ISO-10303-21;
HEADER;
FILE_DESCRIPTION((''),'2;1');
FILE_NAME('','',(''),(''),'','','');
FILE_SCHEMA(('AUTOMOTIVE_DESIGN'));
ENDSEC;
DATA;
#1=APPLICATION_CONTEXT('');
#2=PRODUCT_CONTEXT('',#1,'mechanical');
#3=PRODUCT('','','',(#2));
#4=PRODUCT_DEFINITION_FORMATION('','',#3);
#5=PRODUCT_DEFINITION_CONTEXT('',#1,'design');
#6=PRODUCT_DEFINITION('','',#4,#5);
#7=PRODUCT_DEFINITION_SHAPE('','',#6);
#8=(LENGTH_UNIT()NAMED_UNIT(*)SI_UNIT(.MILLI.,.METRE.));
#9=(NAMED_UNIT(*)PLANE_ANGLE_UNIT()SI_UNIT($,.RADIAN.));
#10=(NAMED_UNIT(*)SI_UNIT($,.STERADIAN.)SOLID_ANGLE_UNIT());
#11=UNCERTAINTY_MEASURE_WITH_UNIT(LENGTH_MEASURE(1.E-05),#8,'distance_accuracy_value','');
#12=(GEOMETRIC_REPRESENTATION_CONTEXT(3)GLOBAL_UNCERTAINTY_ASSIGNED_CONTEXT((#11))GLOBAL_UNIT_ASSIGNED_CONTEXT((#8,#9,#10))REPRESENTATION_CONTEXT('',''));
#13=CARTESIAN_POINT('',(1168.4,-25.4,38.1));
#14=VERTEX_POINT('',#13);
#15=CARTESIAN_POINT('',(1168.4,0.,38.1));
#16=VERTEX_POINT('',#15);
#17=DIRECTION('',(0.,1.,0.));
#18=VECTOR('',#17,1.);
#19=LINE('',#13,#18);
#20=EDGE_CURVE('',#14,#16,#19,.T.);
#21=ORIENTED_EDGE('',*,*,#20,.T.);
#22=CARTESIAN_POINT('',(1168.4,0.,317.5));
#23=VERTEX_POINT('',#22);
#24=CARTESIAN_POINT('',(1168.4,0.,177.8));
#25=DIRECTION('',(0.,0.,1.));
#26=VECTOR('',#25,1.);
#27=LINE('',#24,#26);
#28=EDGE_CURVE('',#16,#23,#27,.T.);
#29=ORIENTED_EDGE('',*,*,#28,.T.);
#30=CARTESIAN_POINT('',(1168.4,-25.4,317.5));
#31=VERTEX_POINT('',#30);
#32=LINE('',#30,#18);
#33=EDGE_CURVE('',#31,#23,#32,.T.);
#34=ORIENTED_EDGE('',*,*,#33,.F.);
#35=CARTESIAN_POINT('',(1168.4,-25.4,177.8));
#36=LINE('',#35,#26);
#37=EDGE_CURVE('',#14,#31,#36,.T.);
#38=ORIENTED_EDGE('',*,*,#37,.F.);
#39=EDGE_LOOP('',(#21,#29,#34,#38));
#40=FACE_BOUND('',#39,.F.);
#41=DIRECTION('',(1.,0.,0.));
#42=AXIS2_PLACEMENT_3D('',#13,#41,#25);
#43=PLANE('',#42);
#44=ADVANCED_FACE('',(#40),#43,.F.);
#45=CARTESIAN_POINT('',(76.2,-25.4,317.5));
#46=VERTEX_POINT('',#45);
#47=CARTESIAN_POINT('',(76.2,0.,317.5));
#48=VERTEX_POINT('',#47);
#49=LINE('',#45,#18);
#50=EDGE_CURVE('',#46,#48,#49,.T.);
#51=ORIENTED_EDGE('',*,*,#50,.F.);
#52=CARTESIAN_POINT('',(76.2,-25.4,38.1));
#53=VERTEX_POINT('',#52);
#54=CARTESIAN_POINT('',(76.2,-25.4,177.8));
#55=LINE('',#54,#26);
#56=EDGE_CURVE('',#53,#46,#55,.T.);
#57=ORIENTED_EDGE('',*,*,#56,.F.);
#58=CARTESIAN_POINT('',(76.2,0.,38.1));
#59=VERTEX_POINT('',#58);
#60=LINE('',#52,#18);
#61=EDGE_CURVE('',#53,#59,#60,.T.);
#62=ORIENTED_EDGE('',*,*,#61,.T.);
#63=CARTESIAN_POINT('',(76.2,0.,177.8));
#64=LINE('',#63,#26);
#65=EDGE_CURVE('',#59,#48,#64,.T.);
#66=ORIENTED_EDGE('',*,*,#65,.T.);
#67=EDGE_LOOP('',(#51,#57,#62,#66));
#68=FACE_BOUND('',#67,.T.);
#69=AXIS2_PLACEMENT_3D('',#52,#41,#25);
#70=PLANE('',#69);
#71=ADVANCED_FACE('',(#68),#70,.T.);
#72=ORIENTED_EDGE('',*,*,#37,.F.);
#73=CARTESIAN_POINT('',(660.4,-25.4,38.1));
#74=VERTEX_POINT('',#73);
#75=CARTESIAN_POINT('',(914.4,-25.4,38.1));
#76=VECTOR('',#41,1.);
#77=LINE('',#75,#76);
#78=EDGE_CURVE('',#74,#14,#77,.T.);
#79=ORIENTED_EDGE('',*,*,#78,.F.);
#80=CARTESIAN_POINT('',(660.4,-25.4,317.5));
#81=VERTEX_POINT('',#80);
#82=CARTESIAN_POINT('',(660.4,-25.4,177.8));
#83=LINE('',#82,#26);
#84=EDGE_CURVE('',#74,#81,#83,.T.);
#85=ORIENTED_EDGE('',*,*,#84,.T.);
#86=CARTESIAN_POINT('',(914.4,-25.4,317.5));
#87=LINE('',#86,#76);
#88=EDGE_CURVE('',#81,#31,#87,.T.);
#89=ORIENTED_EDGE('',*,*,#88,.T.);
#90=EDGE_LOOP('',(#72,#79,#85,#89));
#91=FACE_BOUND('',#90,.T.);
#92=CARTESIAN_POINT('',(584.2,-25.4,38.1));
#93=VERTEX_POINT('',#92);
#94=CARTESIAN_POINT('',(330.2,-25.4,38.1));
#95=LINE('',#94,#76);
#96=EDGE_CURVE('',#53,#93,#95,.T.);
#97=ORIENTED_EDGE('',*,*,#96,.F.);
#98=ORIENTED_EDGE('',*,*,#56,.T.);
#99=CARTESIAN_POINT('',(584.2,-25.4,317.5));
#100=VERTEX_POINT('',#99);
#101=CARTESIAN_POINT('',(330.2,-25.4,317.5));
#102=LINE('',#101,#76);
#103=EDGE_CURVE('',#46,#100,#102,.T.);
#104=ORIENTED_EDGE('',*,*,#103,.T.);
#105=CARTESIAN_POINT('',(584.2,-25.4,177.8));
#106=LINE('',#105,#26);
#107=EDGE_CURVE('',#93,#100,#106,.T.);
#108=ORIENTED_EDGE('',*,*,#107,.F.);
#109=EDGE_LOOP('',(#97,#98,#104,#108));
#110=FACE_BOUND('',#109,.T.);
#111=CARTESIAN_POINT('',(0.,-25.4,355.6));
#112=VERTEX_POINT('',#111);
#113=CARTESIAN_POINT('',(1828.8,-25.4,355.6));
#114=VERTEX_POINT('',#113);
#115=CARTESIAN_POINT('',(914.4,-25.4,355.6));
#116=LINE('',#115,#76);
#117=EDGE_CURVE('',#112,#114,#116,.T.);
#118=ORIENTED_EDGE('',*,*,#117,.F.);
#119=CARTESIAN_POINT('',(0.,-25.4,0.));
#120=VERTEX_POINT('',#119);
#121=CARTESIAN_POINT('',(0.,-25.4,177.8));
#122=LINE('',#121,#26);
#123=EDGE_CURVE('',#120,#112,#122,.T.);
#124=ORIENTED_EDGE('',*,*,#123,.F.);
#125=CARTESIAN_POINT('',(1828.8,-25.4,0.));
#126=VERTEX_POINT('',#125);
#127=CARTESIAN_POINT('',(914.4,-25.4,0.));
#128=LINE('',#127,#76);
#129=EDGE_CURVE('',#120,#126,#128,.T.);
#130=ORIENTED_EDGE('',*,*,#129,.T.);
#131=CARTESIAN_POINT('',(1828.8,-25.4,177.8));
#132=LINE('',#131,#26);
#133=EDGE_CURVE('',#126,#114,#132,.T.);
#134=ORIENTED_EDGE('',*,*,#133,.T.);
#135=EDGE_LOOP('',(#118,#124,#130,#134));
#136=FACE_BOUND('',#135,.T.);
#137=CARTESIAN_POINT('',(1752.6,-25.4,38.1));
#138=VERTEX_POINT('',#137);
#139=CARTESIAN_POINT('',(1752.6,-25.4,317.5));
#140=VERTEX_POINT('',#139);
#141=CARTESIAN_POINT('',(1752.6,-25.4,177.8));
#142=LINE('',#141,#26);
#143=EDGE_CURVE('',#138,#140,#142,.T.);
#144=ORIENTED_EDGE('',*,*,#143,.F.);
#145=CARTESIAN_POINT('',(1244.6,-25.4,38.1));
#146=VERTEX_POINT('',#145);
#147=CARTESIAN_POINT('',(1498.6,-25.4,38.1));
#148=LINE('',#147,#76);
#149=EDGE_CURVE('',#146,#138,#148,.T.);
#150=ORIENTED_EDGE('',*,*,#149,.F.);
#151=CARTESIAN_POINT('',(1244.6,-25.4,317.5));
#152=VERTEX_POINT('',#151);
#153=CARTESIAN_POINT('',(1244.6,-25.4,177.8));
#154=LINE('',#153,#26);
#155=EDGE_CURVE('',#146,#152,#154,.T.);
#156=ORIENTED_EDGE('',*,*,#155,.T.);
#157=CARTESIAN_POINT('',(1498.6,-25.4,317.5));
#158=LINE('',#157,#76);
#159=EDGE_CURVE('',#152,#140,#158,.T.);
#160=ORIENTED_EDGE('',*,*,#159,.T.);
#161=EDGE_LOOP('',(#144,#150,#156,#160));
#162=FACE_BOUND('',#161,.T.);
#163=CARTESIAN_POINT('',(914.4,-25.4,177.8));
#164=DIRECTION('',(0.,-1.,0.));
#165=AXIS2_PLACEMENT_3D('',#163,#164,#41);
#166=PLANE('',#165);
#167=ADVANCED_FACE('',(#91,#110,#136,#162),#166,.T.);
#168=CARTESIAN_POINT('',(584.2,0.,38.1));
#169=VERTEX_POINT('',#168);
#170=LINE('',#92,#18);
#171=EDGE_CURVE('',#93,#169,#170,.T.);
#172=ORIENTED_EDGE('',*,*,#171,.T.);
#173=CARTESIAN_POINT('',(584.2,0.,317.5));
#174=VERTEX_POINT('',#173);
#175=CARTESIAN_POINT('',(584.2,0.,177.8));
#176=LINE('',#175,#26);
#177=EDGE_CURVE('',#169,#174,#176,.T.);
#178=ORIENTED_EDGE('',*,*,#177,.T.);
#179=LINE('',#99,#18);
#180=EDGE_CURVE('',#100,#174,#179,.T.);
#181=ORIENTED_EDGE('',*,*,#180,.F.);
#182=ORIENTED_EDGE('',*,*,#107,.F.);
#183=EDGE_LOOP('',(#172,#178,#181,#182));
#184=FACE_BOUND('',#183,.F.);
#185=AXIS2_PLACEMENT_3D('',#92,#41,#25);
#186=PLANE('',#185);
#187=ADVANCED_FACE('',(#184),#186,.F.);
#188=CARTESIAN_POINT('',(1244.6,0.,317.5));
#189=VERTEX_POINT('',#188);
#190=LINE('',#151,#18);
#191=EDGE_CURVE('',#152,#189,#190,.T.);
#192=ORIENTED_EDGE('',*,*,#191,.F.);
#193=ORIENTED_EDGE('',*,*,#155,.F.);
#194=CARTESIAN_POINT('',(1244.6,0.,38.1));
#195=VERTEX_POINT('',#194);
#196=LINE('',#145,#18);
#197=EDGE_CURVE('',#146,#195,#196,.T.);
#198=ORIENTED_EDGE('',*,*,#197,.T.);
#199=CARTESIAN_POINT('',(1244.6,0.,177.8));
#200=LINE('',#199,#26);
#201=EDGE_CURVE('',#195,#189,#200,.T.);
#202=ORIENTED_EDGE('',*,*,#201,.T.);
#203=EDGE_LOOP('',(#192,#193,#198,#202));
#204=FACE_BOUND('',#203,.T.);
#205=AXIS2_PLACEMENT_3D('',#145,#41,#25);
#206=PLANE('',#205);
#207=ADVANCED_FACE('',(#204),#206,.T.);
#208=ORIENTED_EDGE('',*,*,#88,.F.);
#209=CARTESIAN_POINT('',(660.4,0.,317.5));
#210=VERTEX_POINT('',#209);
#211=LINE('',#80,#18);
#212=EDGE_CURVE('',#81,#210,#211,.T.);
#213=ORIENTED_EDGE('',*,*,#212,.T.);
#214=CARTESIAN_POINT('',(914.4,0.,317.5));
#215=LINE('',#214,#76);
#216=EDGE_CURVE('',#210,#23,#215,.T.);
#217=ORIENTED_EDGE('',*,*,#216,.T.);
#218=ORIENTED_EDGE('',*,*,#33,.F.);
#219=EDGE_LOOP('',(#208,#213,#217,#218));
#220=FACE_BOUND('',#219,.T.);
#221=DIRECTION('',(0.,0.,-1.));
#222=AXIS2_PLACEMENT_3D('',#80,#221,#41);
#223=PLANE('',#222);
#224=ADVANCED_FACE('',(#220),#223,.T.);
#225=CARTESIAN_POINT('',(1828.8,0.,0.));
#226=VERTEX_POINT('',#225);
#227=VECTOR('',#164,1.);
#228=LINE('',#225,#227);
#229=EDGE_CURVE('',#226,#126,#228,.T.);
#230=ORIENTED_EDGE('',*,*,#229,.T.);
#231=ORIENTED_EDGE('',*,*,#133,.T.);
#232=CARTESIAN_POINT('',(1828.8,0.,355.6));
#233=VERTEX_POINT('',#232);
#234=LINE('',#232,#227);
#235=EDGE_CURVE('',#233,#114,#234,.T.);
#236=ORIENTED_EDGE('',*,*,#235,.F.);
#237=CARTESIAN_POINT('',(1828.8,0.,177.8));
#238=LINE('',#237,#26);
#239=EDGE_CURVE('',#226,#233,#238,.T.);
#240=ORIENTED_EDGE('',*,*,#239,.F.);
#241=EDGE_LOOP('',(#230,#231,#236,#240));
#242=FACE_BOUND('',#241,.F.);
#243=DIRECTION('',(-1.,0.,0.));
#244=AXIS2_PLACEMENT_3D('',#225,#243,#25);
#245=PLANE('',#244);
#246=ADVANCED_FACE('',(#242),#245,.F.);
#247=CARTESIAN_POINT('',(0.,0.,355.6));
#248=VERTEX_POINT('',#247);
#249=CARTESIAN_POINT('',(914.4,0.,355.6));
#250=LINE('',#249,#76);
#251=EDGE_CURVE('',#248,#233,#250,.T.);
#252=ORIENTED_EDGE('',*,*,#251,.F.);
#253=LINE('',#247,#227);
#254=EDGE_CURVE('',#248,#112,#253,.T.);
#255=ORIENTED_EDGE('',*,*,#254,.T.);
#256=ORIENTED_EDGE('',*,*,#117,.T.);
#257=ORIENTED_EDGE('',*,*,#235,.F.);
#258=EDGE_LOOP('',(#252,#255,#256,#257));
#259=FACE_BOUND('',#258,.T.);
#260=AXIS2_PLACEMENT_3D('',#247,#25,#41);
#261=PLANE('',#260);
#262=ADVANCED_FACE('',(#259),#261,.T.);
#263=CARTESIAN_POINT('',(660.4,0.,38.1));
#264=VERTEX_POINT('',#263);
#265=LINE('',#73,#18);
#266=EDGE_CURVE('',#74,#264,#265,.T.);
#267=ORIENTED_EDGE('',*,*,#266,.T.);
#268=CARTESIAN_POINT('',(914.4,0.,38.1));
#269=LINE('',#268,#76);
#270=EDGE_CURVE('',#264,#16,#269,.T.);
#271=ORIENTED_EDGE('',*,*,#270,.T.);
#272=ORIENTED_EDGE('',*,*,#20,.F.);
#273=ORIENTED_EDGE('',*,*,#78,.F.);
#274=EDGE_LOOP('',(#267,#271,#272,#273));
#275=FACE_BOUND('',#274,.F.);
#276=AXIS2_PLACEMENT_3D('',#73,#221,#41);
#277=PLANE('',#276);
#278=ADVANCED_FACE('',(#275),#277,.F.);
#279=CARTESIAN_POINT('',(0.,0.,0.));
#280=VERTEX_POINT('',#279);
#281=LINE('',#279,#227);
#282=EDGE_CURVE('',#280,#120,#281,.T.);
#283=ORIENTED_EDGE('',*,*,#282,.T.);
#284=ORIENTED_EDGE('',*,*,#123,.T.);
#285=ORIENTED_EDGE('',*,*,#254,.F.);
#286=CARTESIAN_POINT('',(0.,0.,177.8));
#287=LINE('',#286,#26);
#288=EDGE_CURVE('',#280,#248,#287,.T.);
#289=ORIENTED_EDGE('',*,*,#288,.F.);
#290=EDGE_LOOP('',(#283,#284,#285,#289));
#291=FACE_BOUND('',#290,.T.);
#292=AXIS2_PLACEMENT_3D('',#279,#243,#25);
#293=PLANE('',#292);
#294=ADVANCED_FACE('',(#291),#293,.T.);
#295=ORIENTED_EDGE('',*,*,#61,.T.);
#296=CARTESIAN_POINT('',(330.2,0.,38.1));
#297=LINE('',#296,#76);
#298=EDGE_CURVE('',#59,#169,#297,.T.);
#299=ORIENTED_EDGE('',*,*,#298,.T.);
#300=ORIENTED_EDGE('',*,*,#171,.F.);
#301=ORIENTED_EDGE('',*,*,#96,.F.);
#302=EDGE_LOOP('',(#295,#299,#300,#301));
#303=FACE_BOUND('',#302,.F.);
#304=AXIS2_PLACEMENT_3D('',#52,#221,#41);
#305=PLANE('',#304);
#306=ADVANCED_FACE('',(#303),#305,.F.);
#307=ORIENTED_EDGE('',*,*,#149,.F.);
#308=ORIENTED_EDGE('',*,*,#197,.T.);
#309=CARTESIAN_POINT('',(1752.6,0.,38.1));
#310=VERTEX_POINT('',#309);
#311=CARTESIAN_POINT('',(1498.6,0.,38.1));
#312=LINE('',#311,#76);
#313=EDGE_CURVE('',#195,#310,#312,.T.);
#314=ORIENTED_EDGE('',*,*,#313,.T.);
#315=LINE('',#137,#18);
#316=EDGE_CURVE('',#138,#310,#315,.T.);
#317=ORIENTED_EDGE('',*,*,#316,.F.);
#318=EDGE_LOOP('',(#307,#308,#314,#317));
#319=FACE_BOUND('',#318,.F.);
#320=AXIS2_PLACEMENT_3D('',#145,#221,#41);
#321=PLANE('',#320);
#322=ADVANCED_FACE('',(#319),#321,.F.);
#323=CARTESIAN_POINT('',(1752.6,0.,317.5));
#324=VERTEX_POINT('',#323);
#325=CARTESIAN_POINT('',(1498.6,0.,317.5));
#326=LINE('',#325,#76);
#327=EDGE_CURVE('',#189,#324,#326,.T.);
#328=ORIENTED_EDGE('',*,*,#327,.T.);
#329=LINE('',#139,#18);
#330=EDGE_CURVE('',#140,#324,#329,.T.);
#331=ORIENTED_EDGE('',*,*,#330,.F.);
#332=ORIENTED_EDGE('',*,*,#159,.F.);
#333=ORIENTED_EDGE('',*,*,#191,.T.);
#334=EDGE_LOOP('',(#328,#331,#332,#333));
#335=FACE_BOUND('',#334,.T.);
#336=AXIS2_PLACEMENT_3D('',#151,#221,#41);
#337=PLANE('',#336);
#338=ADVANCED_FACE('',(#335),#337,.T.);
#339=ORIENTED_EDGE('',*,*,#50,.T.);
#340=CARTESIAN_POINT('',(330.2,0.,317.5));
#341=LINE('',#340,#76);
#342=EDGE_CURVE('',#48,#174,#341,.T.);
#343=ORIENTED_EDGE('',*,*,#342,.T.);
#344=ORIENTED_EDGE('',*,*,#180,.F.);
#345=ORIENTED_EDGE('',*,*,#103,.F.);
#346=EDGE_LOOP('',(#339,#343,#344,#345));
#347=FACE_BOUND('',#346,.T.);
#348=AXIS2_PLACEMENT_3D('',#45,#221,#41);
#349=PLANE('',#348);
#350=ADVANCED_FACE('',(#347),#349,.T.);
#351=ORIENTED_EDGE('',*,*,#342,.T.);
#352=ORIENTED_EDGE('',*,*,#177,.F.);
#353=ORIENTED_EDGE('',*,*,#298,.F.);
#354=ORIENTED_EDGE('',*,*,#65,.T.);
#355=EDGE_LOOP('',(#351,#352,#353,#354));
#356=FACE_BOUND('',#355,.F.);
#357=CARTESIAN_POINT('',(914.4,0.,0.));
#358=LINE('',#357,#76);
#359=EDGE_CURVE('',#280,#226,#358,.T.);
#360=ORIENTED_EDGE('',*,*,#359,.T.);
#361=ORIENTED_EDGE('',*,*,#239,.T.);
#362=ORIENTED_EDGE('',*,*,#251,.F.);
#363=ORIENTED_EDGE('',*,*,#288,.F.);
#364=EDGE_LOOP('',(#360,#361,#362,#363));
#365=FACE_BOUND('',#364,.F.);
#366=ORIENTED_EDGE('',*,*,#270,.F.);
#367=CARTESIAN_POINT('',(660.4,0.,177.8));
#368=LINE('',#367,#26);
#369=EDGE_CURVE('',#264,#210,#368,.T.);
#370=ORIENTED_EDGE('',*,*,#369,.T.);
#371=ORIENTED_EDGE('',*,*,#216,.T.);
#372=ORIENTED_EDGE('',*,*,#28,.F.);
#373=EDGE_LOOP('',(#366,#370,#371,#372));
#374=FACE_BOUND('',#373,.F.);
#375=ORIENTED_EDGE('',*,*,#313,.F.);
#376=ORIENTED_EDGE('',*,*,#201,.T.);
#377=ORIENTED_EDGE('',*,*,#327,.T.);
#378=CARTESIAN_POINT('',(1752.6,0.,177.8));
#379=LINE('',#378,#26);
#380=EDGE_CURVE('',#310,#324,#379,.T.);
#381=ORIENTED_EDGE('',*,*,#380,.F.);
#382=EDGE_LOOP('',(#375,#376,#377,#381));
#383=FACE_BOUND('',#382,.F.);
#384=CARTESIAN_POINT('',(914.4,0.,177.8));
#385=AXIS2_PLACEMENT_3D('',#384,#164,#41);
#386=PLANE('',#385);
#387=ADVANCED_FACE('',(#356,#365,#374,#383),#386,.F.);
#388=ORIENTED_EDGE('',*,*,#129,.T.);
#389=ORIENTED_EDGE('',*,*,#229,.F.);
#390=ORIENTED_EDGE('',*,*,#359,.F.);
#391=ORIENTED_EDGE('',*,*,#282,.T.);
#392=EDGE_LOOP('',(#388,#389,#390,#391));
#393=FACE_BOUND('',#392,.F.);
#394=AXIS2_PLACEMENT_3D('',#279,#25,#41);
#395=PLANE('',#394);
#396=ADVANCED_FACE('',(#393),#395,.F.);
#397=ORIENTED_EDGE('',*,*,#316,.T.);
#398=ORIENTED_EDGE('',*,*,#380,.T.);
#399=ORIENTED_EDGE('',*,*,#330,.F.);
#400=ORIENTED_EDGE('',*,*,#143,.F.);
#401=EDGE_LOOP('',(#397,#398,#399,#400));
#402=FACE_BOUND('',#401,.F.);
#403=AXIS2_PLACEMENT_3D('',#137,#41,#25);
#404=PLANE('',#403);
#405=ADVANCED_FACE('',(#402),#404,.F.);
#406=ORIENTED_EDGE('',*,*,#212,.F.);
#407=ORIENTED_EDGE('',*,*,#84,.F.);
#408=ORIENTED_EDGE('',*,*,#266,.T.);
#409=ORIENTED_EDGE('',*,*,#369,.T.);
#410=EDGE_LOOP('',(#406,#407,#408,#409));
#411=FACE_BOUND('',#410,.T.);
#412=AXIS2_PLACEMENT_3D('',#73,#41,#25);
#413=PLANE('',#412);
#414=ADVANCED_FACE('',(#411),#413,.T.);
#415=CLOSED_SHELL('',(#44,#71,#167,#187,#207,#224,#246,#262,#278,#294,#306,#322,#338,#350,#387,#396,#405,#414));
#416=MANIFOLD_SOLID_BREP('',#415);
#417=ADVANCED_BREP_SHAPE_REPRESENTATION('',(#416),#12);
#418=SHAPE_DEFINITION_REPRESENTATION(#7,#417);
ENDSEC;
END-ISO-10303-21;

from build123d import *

# Parameters (mm, degrees)
F0_W     = 1828.8
F0_H     = 355.6
F1_DEPTH = 25.4
F2_W     = 508
F2_H     = 279.4
F3_DEPTH = 25.4


with BuildPart() as f1:
    # F0 (on Front) → F1 (new body)
    with BuildSketch(Plane.XZ):
        with Locations((914.4, 177.8)):
            Rectangle(F0_W, F0_H)
    extrude(amount=F1_DEPTH)

    # F2 (on face) → F3 (cut)
    with BuildSketch(Plane.XZ.offset(25.4)):
        with Locations((330.2, 177.8)):
            Rectangle(F2_W, F2_H)
        with Locations((914.4, 177.8)):
            Rectangle(F2_W, F2_H)
        with Locations((1498.6, 177.8)):
            Rectangle(F2_W, F2_H)
    extrude(amount=-F3_DEPTH, mode=Mode.SUBTRACT)


solid = f1.part
